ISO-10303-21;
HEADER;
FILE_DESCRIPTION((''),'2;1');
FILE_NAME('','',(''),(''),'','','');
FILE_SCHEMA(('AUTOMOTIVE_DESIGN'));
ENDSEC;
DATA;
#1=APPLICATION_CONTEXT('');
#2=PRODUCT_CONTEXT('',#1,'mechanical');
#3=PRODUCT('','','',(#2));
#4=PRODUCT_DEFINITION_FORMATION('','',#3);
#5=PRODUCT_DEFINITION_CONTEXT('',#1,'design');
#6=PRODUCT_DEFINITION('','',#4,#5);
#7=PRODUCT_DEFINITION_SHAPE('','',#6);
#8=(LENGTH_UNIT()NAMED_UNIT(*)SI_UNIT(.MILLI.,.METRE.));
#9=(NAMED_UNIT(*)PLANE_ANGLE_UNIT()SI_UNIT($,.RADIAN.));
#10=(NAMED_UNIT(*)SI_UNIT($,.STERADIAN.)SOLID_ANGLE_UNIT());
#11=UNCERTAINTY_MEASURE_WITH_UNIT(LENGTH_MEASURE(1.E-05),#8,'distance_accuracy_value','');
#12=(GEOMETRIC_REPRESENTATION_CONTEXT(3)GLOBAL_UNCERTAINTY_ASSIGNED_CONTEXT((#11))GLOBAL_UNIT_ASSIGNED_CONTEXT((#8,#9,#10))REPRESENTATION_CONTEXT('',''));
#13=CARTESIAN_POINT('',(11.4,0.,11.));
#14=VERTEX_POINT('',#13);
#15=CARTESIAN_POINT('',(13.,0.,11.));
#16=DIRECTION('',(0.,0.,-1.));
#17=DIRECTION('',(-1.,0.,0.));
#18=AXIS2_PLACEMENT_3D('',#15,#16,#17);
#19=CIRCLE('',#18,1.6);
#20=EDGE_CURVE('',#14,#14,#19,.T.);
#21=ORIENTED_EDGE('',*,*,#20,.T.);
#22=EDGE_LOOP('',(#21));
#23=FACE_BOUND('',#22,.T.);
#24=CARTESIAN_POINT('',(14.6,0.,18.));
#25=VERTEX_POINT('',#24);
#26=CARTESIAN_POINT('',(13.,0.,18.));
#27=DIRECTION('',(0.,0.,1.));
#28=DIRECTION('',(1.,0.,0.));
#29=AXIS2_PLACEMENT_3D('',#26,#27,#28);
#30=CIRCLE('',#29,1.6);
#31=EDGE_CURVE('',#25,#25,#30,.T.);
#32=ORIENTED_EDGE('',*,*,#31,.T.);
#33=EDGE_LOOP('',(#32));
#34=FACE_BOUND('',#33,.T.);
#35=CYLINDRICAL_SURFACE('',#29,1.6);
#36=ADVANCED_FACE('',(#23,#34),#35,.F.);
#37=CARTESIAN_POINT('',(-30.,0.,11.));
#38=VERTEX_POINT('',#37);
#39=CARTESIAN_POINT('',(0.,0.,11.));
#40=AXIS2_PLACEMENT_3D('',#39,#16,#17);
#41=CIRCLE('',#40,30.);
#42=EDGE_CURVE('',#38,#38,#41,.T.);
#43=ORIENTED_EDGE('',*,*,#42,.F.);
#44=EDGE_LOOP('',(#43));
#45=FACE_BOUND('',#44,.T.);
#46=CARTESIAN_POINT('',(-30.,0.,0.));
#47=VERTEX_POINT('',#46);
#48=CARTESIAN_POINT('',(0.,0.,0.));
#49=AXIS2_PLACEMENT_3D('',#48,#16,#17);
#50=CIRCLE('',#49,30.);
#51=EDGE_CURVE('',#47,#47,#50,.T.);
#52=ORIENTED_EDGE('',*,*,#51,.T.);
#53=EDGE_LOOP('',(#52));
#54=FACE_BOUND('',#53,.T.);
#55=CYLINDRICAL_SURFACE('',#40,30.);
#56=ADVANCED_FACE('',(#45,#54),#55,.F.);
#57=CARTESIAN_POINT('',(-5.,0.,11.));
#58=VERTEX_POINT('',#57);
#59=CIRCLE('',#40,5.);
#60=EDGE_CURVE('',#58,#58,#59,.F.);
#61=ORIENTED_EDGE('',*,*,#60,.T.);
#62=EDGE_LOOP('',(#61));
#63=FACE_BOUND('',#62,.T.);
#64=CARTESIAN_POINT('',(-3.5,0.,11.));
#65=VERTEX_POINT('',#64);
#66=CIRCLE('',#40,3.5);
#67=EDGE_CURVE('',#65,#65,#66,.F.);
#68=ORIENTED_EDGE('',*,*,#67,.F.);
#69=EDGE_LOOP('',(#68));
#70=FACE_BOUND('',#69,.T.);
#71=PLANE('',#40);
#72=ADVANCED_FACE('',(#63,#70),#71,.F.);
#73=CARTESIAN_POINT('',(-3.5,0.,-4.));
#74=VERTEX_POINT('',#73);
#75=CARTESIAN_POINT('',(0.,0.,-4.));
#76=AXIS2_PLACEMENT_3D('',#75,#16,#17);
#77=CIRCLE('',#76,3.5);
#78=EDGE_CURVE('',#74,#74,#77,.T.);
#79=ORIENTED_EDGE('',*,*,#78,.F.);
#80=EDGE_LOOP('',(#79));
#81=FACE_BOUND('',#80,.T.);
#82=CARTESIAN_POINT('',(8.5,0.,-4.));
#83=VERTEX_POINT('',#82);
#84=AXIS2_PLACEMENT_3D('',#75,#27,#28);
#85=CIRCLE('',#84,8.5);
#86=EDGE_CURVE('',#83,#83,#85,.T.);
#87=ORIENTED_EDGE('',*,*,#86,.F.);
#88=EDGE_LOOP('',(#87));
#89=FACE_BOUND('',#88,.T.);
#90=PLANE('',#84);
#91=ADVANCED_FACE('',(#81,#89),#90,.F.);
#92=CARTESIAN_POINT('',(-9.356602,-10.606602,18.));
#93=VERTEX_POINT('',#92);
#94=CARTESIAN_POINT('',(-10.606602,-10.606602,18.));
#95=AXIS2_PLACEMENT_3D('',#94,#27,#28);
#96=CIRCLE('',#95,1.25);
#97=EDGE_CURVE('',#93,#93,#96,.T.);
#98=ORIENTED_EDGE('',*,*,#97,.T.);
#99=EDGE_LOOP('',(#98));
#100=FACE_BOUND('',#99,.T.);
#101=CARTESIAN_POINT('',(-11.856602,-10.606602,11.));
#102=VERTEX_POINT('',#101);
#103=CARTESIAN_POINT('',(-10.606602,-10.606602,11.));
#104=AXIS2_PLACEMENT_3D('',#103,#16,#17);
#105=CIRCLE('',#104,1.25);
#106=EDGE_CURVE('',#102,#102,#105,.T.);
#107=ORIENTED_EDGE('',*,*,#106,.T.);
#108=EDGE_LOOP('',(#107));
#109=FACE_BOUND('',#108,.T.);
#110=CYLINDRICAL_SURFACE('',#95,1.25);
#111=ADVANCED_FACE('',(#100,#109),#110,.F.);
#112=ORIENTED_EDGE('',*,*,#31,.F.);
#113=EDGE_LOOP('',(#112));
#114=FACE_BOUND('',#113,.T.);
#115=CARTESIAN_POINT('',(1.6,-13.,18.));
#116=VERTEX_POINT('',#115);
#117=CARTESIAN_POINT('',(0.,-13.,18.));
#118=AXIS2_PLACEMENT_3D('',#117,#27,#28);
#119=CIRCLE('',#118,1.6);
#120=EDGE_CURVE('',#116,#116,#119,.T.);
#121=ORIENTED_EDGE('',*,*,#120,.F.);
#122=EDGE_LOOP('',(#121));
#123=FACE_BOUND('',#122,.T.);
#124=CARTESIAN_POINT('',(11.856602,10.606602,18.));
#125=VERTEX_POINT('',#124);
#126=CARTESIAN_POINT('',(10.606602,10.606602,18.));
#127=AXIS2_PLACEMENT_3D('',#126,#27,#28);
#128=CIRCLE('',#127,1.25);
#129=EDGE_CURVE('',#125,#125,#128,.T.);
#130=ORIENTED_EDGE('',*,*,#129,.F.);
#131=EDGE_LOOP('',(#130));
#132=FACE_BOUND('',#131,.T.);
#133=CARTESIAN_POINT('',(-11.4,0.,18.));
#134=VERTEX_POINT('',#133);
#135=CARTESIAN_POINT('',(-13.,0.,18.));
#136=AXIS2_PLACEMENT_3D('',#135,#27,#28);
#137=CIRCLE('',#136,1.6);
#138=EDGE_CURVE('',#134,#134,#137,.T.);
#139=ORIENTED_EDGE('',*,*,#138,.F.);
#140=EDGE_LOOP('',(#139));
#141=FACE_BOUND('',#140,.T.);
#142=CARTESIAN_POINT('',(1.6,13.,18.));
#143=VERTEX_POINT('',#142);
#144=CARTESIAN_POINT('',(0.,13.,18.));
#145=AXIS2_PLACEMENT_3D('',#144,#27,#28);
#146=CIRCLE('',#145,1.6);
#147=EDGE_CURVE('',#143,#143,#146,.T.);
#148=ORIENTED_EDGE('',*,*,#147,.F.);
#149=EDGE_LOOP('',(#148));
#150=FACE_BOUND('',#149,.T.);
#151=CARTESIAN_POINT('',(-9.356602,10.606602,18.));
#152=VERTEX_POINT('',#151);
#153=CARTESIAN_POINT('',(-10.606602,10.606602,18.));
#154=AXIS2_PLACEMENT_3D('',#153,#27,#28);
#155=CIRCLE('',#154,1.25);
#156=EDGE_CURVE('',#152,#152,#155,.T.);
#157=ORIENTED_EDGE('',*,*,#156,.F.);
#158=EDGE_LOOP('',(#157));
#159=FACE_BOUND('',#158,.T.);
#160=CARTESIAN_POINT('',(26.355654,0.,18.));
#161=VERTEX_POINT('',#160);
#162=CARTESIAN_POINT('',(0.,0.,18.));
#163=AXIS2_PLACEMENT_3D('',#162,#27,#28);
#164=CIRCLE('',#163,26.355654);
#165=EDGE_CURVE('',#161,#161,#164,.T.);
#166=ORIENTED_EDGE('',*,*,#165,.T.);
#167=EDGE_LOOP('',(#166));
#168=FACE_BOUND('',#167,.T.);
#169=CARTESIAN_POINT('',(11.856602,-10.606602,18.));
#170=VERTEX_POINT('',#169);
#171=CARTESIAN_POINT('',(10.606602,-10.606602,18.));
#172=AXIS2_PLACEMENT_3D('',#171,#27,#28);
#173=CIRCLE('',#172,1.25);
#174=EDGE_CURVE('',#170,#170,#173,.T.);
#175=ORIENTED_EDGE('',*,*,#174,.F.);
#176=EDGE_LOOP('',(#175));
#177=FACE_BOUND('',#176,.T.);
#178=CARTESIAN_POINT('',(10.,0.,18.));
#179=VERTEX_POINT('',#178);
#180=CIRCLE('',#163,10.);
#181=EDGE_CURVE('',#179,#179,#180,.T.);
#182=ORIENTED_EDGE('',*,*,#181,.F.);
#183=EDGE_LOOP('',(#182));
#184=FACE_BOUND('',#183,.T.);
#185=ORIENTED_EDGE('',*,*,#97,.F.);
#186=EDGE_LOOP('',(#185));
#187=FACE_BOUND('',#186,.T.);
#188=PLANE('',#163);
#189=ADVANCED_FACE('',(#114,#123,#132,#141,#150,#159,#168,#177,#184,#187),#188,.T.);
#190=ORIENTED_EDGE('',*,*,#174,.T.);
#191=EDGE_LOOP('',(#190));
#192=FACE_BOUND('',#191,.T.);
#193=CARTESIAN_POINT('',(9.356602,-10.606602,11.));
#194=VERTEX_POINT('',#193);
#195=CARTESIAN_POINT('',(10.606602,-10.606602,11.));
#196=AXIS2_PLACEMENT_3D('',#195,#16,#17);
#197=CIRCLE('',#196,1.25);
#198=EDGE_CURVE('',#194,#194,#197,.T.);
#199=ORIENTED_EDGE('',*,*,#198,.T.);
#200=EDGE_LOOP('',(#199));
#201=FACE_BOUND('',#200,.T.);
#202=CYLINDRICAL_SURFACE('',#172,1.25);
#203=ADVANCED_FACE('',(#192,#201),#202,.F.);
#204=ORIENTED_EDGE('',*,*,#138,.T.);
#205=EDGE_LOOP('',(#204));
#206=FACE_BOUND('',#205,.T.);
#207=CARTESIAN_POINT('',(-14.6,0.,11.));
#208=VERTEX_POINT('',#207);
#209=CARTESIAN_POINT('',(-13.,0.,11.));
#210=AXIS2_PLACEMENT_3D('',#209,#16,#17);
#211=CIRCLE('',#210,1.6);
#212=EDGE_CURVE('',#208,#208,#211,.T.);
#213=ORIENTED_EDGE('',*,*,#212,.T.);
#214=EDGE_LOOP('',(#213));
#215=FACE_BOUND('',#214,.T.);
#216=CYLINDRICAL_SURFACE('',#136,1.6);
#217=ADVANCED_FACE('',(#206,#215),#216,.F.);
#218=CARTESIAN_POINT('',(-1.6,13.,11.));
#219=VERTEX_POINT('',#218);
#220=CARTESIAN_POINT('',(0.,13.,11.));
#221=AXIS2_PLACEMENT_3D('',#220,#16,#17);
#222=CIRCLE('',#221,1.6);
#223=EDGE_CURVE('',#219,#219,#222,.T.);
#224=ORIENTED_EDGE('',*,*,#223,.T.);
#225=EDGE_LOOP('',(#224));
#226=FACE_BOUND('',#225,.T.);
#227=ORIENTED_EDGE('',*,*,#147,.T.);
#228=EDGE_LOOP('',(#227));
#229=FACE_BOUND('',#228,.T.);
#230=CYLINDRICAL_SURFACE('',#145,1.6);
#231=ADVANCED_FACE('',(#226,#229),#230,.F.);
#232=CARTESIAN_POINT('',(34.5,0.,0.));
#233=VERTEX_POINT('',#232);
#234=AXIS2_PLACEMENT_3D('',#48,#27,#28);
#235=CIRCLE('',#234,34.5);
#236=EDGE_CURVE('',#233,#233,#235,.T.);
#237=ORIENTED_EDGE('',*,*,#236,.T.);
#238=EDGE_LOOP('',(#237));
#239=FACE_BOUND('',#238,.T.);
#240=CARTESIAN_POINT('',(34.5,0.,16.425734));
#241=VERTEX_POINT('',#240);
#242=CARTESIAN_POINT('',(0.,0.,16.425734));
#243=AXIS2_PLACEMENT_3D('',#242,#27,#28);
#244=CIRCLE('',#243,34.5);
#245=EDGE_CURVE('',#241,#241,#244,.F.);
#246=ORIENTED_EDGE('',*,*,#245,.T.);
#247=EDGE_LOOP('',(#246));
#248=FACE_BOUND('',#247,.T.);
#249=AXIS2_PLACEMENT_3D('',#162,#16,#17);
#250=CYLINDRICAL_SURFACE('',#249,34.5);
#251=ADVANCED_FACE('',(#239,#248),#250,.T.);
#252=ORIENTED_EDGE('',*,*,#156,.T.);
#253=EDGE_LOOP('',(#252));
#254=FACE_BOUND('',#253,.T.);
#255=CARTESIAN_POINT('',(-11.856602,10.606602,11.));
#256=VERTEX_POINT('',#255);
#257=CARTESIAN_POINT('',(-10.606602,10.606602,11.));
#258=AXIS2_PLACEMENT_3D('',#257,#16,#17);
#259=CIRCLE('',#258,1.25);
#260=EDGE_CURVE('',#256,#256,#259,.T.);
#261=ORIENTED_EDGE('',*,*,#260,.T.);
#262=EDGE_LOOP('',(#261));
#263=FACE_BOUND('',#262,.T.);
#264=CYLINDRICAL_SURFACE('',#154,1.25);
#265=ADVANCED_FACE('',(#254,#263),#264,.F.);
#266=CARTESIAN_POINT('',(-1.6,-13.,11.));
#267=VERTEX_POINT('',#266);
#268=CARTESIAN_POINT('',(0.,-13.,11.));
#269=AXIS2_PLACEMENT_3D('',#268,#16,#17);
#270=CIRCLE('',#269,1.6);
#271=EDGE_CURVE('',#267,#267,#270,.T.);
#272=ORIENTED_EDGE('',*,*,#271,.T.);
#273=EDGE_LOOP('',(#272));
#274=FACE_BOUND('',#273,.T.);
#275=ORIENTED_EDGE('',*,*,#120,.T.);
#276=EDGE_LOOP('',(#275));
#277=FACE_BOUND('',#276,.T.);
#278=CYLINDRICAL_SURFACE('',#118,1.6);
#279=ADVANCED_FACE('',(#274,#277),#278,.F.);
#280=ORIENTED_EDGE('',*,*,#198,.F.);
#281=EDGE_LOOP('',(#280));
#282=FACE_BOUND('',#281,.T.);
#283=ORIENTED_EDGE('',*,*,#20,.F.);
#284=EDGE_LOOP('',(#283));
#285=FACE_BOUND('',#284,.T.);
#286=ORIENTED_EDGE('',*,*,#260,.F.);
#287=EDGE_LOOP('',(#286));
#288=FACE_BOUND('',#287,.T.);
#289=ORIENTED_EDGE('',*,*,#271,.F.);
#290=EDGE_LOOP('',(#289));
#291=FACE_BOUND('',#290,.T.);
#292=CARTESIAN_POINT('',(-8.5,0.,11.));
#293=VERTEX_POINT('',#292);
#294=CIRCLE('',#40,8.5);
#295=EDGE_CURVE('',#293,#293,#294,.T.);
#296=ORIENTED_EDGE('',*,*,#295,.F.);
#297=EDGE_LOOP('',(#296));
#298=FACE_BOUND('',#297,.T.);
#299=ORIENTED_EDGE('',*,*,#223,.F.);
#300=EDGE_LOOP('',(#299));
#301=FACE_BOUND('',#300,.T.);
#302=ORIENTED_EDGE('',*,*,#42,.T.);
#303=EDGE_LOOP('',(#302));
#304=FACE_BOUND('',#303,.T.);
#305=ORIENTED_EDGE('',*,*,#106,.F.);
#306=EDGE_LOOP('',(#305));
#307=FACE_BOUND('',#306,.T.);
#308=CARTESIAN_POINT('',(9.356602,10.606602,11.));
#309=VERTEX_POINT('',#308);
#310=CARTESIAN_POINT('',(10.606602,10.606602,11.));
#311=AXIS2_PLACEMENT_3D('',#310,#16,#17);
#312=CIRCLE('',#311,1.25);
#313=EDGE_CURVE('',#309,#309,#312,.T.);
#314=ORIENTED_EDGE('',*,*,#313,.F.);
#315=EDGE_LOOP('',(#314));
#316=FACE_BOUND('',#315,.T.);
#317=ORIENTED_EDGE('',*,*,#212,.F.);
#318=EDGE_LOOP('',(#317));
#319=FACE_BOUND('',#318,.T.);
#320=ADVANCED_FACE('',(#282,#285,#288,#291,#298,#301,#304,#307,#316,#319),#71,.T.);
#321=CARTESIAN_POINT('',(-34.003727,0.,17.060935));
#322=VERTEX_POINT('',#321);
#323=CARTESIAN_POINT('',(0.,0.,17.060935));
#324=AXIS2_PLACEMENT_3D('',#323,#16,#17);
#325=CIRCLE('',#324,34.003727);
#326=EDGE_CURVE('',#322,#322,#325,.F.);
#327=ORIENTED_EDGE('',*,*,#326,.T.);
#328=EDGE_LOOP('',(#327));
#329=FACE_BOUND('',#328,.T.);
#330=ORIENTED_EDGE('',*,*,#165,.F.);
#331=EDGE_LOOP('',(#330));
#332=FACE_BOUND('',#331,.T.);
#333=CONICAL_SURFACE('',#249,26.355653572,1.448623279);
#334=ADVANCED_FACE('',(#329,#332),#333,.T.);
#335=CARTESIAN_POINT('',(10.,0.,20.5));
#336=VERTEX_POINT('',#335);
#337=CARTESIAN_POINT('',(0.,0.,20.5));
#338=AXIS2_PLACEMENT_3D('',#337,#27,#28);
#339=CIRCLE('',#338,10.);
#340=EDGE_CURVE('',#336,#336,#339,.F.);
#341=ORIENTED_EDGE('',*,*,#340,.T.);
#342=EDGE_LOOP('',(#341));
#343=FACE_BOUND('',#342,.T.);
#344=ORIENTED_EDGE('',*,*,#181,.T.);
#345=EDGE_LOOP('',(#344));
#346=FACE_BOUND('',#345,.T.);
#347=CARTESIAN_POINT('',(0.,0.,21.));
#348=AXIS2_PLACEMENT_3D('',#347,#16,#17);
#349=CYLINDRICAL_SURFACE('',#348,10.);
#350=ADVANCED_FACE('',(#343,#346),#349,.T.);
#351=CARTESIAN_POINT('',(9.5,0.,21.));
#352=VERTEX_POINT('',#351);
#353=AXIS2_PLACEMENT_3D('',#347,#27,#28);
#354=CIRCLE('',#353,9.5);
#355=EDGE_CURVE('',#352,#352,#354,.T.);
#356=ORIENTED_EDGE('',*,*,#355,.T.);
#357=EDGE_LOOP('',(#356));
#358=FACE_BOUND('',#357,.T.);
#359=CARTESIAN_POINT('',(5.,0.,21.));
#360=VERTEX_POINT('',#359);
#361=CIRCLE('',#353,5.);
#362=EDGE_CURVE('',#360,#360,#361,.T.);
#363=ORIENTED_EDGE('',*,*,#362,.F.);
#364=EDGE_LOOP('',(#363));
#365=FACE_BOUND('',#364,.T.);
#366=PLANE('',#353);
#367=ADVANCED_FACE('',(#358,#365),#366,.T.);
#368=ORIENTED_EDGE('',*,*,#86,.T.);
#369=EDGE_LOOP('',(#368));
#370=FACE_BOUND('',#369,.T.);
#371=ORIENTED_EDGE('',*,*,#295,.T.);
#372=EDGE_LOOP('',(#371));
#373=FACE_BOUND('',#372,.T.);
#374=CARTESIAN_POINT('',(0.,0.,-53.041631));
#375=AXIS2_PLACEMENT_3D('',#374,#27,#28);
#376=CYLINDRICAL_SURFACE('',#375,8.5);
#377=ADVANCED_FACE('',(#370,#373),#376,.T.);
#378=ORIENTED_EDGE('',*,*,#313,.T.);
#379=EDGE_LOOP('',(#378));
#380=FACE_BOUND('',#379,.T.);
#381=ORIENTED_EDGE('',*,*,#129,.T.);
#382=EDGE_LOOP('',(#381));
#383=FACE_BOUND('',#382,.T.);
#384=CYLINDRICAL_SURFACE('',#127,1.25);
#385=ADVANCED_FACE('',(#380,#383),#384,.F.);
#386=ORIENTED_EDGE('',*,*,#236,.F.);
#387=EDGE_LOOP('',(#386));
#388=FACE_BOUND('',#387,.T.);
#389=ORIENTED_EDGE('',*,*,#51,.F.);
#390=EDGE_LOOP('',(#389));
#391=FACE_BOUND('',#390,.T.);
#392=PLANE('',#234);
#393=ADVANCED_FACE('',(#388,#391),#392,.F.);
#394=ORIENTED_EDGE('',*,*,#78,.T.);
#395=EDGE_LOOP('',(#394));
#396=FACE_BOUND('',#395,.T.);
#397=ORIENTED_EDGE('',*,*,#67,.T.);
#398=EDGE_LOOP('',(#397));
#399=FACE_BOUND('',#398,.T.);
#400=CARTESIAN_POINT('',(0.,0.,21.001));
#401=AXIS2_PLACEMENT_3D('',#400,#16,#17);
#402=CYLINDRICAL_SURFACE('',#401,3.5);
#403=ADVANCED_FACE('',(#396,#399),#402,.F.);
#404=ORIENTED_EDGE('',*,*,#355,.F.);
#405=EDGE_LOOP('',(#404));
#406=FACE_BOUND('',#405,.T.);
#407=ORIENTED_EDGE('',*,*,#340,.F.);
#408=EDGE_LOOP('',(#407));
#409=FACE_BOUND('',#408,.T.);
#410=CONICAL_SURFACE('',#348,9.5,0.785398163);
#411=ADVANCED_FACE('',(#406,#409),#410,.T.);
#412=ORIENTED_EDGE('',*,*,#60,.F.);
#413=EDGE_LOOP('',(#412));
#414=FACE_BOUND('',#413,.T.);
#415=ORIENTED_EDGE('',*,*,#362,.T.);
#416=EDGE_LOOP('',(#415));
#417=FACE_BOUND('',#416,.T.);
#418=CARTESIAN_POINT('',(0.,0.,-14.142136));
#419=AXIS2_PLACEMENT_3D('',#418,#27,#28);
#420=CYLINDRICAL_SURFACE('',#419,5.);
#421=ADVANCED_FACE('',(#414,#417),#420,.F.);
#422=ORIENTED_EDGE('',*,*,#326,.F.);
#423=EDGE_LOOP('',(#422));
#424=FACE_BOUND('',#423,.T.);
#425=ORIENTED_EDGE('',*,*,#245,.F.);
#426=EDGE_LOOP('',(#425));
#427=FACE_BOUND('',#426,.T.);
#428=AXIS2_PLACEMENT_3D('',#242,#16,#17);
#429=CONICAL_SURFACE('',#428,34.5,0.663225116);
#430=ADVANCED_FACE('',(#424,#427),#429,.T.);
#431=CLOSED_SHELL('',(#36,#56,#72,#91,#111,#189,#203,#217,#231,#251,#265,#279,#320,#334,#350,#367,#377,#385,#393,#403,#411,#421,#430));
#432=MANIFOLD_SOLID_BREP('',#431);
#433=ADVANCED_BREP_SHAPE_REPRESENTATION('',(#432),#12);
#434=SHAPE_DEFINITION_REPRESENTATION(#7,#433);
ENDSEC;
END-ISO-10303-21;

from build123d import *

# Parameters (mm, degrees)
SKETCH2_R                  = 34.5
BOSS_EXTRUDE1_DEPTH        = 18
SKETCH3_R                  = 10
BOSS_EXTRUDE2_DEPTH        = 3
CHAMFER1_SIZE              = 1
CHAMFER1_SIZE2             = 8.144346428
SKETCH4_R                  = 5
CUT_EXTRUDE1_DEPTH         = 21
SKETCH5_R                  = 30
CUT_EXTRUDE2_DEPTH         = 11
M3_TAPPED_HOLE1_D          = 2.5
F_3_2_3_2_DIAMETER_HOLE1_D = 3.2
CHAMFER2_SIZE2             = 0.5
CHAMFER2_SIZE              = 0.574265899
CHAMFER2_EDGE_2_SIZE       = 0.5
SKETCH10_R                 = 8.5
BOSS_EXTRUDE3_DEPTH        = 15
CUT_EXTRUDE3_REACH         = 27
SKETCH11_R                 = 3.5


with BuildPart() as part:
    # Sketch2 → Boss-Extrude1 (new body)
    with BuildSketch(Plane.XY):
        Circle(SKETCH2_R)
    extrude(amount=BOSS_EXTRUDE1_DEPTH)

    # Sketch3 → Boss-Extrude2 (add)
    with BuildSketch(Plane.XY.offset(18)):
        Circle(SKETCH3_R)
    extrude(amount=BOSS_EXTRUDE2_DEPTH)

    # Chamfer1
    chamfer1_edges = [part.edges().sort_by_distance(p)[0] for p in [
        (-34.5, 0, 18),
    ]]
    chamfer1_side = [part.faces().sort_by_distance(p)[0] for p in [
        (-34.5, 0, 9),
    ]]
    chamfer(chamfer1_edges, length=CHAMFER1_SIZE, length2=CHAMFER1_SIZE2, reference=chamfer1_side[0])

    # Sketch4 → Cut-Extrude1 (cut)
    with BuildSketch(Plane.XY.offset(21)):
        Circle(SKETCH4_R)
    extrude(amount=-CUT_EXTRUDE1_DEPTH, mode=Mode.SUBTRACT)

    # Sketch5 → Cut-Extrude2 (cut)
    with BuildSketch(Plane(origin=(0, 0, 0), x_dir=(-1, 0, 0), z_dir=(0, 0, -1))):
        Circle(SKETCH5_R)
    extrude(amount=-CUT_EXTRUDE2_DEPTH, mode=Mode.SUBTRACT)

    # M3 Tapped Hole1 (through all)
    with Locations(Plane.XY.offset(18)):
        with Locations((10.606601718, 10.606601718), (10.606601718, -10.606601718), (-10.606601718, -10.606601718), (-10.606601718, 10.606601718)):
            Hole(M3_TAPPED_HOLE1_D / 2)

    # Ø3.2 (3.2) Diameter Hole1 (through all)
    with Locations(Plane.XY.offset(18)):
        with Locations((13, 0), (-13, 0), (0, 13), (0, -13)):
            Hole(F_3_2_3_2_DIAMETER_HOLE1_D / 2)

    # Chamfer2
    chamfer2_edges = [part.edges().sort_by_distance(p)[0] for p in [
        (-34.5, 0, 17),
    ]]
    chamfer(chamfer2_edges, length=CHAMFER2_SIZE, length2=CHAMFER2_SIZE2)

    # Chamfer2 edge 2
    chamfer2_edge_2_edges = [part.edges().sort_by_distance(p)[0] for p in [
        (-10, 0, 21),
    ]]
    chamfer(chamfer2_edge_2_edges, length=CHAMFER2_EDGE_2_SIZE)

    # Sketch10 → Boss-Extrude3 (add)
    with BuildSketch(Plane(origin=(0, 0, 11), x_dir=(-1, 0, 0), z_dir=(0, 0, -1))):
        Circle(SKETCH10_R)
    extrude(amount=BOSS_EXTRUDE3_DEPTH)

    # Sketch11 → Cut-Extrude3 (cut, up to next)
    with BuildSketch(Plane(origin=(0, 0, -4), x_dir=(-1, 0, 0), z_dir=(0, 0, -1)), mode=Mode.PRIVATE) as cut_extrude3_sk1:
        Circle(SKETCH11_R)
    cut_extrude3_tool1 = extrude(cut_extrude3_sk1.sketch, amount=-CUT_EXTRUDE3_REACH, mode=Mode.PRIVATE) & part.part
    add(cut_extrude3_tool1.solids().sort_by_distance((0, 0, -4))[0], mode=Mode.SUBTRACT)


solid = part.part
